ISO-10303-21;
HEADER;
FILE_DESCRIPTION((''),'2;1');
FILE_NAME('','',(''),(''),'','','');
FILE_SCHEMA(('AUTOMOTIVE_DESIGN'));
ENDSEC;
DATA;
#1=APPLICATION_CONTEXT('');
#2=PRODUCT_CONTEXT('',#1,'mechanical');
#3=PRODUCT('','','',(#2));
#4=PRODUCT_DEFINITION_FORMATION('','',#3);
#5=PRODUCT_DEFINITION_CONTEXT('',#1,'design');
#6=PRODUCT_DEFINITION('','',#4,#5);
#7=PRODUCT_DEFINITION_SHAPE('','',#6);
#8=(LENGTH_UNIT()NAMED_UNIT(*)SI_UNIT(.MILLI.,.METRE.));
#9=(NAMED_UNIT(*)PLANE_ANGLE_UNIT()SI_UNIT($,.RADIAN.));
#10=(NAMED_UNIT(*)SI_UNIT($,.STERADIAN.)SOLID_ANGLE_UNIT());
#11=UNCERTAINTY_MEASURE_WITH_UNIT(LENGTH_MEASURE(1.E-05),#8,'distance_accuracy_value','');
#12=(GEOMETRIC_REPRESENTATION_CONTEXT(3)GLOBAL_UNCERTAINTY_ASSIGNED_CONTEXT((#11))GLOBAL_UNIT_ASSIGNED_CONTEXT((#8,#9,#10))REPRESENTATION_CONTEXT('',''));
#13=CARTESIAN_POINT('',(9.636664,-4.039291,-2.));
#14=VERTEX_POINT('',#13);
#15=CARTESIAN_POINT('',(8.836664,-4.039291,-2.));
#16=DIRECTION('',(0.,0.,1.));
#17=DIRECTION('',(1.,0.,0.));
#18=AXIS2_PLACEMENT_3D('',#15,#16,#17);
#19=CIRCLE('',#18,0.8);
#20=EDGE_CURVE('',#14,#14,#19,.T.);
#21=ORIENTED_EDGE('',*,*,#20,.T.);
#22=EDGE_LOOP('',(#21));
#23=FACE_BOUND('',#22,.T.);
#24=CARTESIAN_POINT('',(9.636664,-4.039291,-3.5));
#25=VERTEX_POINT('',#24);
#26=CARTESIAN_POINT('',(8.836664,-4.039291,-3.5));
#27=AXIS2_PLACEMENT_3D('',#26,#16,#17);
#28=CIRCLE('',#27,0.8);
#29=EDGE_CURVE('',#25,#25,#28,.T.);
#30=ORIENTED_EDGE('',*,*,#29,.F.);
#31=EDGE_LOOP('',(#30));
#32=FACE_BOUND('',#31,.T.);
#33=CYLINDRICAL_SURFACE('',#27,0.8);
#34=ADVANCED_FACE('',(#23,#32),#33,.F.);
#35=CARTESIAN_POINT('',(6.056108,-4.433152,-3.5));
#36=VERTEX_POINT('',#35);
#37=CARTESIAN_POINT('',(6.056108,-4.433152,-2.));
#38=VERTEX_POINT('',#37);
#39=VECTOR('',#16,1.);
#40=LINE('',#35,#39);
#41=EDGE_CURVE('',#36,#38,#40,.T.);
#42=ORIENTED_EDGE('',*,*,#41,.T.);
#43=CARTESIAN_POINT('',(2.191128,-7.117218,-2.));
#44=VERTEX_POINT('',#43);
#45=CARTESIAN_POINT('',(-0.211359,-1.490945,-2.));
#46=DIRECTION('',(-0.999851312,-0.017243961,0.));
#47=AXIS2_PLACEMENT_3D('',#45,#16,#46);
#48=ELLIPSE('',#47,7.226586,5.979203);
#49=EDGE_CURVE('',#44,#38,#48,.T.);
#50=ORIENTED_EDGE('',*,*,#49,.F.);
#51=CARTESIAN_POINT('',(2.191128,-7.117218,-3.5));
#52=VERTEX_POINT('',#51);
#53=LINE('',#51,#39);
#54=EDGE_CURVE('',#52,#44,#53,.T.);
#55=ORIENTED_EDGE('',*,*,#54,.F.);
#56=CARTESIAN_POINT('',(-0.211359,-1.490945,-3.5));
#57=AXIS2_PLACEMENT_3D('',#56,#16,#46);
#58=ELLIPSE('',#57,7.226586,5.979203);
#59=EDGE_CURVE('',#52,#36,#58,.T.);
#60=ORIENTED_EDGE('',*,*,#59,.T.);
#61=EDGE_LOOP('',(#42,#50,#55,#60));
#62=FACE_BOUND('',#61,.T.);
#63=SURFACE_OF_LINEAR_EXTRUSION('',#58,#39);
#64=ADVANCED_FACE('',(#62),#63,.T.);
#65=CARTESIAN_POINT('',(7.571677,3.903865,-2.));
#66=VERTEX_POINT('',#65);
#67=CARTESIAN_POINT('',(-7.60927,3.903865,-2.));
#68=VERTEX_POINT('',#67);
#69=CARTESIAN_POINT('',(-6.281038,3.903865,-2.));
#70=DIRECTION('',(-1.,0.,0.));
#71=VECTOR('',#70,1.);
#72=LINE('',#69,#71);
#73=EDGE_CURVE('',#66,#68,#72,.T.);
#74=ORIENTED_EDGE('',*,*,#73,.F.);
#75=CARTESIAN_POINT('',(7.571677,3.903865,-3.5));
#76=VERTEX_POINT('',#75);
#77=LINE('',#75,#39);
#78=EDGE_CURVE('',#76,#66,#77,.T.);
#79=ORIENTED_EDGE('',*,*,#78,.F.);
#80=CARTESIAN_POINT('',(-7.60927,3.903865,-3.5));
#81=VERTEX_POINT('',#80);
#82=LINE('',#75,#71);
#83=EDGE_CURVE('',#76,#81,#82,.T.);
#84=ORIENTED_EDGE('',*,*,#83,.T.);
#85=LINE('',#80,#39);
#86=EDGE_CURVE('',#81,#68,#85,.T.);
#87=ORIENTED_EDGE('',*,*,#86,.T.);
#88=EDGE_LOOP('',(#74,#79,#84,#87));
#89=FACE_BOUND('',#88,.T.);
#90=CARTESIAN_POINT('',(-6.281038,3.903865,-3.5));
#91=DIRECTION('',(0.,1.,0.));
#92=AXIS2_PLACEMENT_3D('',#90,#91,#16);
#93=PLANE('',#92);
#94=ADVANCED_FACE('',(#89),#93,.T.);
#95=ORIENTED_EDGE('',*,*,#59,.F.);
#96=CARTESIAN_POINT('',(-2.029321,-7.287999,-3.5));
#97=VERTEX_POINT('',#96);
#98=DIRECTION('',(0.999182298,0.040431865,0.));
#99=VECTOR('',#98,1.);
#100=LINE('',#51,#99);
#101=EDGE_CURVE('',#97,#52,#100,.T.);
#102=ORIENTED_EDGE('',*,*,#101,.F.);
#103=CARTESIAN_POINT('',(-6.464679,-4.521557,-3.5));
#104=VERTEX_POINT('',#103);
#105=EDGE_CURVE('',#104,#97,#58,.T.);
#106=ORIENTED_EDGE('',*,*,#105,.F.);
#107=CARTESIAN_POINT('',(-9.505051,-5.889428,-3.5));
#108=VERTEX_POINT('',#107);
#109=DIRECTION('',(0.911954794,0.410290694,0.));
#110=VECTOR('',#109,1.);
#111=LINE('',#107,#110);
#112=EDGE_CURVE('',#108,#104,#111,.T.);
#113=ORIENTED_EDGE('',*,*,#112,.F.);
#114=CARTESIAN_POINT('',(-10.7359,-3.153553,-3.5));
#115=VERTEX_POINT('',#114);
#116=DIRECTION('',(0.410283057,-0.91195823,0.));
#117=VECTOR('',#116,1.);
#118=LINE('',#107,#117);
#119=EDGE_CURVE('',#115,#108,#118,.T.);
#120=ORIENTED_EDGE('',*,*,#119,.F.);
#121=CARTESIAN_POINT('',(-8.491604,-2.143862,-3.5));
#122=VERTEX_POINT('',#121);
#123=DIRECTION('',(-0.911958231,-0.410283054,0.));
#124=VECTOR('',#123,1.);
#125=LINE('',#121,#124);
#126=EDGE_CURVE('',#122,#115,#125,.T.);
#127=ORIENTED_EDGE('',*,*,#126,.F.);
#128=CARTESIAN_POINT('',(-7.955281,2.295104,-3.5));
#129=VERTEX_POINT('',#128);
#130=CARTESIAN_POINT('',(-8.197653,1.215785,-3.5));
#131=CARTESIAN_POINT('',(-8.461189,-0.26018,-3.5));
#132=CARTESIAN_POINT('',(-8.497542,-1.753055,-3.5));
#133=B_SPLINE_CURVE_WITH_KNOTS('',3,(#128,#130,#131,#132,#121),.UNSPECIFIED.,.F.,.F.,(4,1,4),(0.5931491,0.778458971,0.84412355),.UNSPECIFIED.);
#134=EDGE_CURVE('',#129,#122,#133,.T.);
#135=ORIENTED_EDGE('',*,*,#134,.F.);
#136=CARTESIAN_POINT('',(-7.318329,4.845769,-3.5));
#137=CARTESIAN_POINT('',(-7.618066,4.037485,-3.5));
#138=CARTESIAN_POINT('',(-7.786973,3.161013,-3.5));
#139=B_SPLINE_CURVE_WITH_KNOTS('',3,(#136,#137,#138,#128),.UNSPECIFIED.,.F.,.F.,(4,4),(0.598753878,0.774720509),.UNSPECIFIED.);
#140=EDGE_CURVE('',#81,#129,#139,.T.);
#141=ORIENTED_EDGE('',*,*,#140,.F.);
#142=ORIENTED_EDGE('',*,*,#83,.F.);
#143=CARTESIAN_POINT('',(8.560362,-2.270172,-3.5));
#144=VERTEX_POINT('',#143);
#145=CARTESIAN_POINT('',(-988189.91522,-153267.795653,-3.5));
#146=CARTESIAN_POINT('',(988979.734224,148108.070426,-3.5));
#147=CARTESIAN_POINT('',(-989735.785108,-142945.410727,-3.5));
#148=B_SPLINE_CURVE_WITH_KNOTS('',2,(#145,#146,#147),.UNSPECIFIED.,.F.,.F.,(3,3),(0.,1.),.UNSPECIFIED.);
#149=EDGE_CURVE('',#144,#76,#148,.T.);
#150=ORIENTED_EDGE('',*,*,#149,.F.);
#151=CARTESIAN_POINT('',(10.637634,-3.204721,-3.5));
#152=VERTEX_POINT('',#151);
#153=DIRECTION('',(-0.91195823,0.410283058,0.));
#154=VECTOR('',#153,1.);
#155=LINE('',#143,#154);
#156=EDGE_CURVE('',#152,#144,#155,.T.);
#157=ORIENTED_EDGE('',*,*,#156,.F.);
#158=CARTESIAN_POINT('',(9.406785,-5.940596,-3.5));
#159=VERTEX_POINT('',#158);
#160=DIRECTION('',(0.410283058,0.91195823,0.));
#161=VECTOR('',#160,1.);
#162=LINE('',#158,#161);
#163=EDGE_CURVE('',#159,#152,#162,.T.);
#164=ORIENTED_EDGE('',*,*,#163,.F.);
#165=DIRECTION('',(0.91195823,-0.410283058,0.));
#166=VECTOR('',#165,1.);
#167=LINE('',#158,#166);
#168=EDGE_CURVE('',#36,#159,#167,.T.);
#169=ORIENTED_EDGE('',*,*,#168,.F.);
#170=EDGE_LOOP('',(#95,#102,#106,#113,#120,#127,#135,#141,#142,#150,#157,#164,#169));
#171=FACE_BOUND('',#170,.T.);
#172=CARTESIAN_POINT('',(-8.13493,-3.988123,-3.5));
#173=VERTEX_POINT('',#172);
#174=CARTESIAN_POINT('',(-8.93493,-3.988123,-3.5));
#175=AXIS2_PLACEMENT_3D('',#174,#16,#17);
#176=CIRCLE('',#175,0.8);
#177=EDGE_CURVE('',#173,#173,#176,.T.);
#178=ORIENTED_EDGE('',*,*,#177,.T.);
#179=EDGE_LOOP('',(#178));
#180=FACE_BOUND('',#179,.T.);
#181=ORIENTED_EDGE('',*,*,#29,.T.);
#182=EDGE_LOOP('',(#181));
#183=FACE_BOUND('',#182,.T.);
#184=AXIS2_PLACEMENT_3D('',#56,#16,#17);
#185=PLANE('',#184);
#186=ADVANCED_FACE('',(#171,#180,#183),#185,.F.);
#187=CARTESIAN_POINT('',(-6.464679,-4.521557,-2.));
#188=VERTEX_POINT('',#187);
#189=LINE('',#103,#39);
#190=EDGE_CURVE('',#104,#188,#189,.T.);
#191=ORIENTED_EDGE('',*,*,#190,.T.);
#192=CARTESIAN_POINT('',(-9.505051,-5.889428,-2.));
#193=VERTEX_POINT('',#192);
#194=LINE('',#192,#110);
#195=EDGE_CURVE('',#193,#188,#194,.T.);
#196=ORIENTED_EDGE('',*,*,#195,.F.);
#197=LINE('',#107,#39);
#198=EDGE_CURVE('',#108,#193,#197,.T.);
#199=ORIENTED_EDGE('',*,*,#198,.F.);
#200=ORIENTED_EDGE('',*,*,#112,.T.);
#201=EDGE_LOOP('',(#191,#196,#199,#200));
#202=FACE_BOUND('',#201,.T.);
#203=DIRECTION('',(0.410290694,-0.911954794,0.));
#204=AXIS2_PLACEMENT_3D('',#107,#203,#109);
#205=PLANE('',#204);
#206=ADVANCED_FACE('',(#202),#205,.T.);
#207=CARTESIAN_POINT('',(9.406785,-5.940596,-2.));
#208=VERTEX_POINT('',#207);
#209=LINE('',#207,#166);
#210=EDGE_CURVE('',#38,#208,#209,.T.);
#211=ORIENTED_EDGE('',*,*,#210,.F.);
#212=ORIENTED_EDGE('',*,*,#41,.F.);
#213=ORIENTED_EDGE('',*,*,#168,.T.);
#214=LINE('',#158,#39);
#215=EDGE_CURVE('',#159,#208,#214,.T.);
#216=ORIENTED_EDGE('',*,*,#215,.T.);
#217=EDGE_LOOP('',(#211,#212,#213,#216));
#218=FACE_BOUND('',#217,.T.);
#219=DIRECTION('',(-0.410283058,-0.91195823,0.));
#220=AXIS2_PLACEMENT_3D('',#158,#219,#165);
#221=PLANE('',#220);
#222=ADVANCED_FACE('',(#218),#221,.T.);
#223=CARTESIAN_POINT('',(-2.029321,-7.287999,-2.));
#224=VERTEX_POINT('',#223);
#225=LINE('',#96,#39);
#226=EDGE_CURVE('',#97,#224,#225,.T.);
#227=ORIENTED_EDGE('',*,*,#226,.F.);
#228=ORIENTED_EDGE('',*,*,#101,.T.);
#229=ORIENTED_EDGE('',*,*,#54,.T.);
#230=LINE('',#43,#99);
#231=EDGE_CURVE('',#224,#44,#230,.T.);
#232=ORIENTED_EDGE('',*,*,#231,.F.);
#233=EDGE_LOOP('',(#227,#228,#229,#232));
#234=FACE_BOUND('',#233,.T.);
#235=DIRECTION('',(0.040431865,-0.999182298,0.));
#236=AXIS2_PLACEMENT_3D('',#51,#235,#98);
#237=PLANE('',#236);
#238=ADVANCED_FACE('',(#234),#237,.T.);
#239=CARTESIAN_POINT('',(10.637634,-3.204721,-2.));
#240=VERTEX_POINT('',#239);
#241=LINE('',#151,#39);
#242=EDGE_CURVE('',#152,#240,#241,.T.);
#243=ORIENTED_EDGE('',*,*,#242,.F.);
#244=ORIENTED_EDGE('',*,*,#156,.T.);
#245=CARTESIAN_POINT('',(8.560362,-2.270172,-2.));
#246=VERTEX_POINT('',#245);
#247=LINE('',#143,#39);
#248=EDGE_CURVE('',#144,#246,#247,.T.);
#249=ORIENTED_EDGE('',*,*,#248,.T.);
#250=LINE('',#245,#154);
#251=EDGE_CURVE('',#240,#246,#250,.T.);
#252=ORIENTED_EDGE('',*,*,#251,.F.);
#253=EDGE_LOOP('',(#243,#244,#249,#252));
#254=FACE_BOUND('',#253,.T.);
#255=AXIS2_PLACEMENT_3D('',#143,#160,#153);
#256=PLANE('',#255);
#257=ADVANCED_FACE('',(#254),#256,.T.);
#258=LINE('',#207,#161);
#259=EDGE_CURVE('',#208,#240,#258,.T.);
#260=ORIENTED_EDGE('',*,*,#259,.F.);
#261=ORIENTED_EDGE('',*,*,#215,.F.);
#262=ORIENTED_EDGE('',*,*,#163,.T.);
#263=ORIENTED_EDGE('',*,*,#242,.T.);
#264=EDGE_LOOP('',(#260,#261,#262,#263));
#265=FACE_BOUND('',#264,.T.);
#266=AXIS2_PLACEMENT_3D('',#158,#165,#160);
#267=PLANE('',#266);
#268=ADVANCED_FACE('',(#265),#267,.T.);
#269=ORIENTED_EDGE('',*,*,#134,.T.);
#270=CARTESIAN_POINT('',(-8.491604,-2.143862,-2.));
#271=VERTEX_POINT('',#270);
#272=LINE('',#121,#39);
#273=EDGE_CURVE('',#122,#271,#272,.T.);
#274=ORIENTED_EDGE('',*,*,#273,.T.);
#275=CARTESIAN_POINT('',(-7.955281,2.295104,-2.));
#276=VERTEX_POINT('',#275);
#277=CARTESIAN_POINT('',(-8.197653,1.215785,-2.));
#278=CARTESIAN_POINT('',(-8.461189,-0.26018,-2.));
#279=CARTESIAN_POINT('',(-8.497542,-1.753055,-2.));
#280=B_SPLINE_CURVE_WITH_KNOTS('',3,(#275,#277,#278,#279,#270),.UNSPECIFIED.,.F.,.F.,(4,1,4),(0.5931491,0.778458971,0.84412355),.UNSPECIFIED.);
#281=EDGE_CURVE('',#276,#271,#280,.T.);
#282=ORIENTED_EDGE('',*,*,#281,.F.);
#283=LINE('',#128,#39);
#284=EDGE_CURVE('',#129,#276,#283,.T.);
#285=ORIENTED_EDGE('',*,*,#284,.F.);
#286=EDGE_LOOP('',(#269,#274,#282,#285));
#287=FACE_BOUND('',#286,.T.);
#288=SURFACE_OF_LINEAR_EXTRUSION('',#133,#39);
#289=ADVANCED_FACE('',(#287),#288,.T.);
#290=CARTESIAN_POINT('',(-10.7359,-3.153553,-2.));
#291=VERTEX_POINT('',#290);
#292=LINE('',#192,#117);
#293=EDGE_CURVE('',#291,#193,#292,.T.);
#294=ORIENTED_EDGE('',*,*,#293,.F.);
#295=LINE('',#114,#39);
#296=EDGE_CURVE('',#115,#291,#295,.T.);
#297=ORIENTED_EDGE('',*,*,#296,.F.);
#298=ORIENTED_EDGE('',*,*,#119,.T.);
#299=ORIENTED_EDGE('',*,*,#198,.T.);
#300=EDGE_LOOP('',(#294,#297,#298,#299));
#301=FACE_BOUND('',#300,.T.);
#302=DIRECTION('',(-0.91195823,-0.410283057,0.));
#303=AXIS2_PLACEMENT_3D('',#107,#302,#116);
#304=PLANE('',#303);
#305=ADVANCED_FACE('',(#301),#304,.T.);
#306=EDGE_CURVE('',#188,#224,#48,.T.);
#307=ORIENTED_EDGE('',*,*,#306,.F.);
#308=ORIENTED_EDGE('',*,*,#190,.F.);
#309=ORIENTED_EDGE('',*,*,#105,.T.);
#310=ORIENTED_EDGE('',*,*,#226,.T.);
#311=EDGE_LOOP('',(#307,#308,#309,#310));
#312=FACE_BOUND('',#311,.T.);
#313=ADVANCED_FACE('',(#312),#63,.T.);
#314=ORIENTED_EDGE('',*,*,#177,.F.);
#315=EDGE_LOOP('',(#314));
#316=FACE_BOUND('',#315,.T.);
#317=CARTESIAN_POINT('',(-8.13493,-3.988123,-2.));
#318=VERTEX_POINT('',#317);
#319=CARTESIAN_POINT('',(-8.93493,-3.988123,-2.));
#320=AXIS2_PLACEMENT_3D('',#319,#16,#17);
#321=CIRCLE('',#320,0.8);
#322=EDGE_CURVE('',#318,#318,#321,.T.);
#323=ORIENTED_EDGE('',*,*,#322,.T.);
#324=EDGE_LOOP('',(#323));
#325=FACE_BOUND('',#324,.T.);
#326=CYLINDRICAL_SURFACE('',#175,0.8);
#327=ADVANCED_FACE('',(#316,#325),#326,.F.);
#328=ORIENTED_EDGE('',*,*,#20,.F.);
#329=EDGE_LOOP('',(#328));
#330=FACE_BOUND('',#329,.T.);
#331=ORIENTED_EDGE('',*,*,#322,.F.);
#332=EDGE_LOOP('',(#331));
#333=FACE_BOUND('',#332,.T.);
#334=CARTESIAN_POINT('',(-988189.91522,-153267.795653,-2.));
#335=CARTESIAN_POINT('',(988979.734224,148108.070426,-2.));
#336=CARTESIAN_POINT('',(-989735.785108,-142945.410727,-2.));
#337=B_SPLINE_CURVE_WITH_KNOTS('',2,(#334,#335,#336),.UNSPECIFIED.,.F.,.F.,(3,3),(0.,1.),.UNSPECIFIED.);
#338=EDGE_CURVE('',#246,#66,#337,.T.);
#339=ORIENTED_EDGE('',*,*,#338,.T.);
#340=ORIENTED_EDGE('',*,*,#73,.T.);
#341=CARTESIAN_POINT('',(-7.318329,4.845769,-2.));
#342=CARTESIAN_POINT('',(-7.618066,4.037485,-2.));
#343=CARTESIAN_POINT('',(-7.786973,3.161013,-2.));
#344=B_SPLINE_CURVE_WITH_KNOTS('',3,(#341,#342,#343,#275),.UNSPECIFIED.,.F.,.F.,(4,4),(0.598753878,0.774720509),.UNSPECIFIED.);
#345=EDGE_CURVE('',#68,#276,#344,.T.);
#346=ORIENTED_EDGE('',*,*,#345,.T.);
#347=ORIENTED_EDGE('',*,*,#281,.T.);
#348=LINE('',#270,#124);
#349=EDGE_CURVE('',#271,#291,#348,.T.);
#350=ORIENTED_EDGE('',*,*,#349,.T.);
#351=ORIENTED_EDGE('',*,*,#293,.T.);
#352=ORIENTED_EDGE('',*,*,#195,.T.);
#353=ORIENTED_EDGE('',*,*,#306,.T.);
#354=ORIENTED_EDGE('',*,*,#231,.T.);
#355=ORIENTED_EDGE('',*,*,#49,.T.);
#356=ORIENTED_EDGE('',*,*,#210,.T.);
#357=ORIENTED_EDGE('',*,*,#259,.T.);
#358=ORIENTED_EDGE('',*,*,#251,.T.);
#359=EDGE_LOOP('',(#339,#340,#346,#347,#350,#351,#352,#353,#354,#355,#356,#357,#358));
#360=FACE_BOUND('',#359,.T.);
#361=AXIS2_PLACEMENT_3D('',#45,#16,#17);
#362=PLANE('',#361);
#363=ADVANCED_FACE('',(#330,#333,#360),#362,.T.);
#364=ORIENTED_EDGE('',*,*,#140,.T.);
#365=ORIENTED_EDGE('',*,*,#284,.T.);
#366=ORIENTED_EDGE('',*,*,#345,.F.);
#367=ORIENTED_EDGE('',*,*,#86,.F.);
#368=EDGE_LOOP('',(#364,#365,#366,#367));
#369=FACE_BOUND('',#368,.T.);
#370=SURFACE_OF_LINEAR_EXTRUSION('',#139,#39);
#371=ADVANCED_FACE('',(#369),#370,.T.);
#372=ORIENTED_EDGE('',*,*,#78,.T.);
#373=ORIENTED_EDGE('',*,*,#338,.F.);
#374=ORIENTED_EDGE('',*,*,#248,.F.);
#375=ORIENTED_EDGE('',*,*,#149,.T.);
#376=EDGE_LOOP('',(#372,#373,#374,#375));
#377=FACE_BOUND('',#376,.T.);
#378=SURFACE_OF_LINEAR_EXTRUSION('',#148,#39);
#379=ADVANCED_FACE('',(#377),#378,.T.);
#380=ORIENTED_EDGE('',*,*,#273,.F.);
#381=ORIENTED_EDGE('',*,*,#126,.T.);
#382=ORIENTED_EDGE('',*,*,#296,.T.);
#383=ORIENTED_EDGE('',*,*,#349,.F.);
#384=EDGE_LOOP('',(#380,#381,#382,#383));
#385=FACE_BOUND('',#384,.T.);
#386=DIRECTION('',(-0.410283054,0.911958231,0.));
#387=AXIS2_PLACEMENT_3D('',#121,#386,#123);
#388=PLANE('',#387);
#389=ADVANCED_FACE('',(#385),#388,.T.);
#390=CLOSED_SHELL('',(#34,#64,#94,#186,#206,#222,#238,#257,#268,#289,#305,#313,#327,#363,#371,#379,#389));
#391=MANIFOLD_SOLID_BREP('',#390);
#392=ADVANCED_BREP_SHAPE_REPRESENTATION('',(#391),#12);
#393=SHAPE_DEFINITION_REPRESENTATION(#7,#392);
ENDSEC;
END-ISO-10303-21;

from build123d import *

# Parameters (mm, degrees)
BOSS_EXTRUDE1_START = -2
SKETCH1_R           = 0.8
BOSS_EXTRUDE1_DEPTH = 1.5


with BuildPart() as part:
    # Sketch1 → Boss-Extrude1 (new body)
    with BuildSketch(Plane.XY.offset(BOSS_EXTRUDE1_START)):
        with BuildLine():
            Line((7.571676853, 3.903865442), (6.416086079, 3.903865442))
            Line((6.416086079, 3.903865442), (-6.281037731, 3.903865442))
            Line((-6.281037731, 3.903865442), (-7.609270418, 3.903865442))
            add(Edge.make_bspline(
                [(-7.95528082, 2.295104415), (-7.850615408, 2.833585734), (-7.745718452, 3.376152559), (-7.609270418, 3.903865442)],
                knots=[0.598753878, 0.598753878, 0.598753878, 0.598753878, 0.708182049, 0.708182049, 0.708182049, 0.708182049], degree=3))
            add(Edge.make_bspline(
                [(-8.491604222, -2.143861632), (-8.497541628, -1.753055168), (-8.461188827, -0.260180468), (-8.197652692, 1.215784612), (-7.95528082, 2.295104415)],
                knots=[0.5931491, 0.5931491, 0.5931491, 0.5931491, 0.658813679, 0.84412355, 0.84412355, 0.84412355, 0.84412355], degree=3))
            Line((-8.491604222, -2.143861632), (-10.735900357, -3.15355335))
            Line((-10.735900357, -3.15355335), (-9.505051186, -5.889428039))
            Line((-9.505051186, -5.889428039), (-6.464679246, -4.521557259))
            add(Edge.make_bspline(
                [(-6.464679246, -4.521557259), (-4.951547414, -6.675350117), (-2.029321492, -7.287998666)],
                knots=[0.510655247, 0.510655247, 0.510655247, 1.302217681, 1.302217681, 1.302217681], degree=2, weights=[1, 0.922695664, 1]))
            Line((-2.029321492, -7.287998666), (2.191128147, -7.117218369))
            add(Edge.make_bspline(
                [(2.191128147, -7.117218369), (4.720940331, -6.365516028), (6.056108453, -4.433151977)],
                knots=[1.895445663, 1.895445663, 1.895445663, 2.606320009, 2.606320009, 2.606320009], degree=2, weights=[1, 0.937494442, 1]))
            Line((6.056108453, -4.433151977), (9.406785059, -5.940595847))
            Line((9.406785059, -5.940595847), (10.637634232, -3.204721158))
            Line((10.637634232, -3.204721158), (8.560362384, -2.270172384))
            add(Edge.make_bspline(
                [(8.560362384, -2.270172384), (8.775779374, 0.923139429), (7.571676853, 3.903865442)],
                knots=[0, 0, 0, 1, 1, 1], degree=2))
        make_face()
        with Locations((8.836663947, -4.039290527)):
            Circle(SKETCH1_R, mode=Mode.SUBTRACT)
        with Locations((-8.934930071, -3.988122724)):
            Circle(SKETCH1_R, mode=Mode.SUBTRACT)
    extrude(amount=-BOSS_EXTRUDE1_DEPTH)


solid = part.part
